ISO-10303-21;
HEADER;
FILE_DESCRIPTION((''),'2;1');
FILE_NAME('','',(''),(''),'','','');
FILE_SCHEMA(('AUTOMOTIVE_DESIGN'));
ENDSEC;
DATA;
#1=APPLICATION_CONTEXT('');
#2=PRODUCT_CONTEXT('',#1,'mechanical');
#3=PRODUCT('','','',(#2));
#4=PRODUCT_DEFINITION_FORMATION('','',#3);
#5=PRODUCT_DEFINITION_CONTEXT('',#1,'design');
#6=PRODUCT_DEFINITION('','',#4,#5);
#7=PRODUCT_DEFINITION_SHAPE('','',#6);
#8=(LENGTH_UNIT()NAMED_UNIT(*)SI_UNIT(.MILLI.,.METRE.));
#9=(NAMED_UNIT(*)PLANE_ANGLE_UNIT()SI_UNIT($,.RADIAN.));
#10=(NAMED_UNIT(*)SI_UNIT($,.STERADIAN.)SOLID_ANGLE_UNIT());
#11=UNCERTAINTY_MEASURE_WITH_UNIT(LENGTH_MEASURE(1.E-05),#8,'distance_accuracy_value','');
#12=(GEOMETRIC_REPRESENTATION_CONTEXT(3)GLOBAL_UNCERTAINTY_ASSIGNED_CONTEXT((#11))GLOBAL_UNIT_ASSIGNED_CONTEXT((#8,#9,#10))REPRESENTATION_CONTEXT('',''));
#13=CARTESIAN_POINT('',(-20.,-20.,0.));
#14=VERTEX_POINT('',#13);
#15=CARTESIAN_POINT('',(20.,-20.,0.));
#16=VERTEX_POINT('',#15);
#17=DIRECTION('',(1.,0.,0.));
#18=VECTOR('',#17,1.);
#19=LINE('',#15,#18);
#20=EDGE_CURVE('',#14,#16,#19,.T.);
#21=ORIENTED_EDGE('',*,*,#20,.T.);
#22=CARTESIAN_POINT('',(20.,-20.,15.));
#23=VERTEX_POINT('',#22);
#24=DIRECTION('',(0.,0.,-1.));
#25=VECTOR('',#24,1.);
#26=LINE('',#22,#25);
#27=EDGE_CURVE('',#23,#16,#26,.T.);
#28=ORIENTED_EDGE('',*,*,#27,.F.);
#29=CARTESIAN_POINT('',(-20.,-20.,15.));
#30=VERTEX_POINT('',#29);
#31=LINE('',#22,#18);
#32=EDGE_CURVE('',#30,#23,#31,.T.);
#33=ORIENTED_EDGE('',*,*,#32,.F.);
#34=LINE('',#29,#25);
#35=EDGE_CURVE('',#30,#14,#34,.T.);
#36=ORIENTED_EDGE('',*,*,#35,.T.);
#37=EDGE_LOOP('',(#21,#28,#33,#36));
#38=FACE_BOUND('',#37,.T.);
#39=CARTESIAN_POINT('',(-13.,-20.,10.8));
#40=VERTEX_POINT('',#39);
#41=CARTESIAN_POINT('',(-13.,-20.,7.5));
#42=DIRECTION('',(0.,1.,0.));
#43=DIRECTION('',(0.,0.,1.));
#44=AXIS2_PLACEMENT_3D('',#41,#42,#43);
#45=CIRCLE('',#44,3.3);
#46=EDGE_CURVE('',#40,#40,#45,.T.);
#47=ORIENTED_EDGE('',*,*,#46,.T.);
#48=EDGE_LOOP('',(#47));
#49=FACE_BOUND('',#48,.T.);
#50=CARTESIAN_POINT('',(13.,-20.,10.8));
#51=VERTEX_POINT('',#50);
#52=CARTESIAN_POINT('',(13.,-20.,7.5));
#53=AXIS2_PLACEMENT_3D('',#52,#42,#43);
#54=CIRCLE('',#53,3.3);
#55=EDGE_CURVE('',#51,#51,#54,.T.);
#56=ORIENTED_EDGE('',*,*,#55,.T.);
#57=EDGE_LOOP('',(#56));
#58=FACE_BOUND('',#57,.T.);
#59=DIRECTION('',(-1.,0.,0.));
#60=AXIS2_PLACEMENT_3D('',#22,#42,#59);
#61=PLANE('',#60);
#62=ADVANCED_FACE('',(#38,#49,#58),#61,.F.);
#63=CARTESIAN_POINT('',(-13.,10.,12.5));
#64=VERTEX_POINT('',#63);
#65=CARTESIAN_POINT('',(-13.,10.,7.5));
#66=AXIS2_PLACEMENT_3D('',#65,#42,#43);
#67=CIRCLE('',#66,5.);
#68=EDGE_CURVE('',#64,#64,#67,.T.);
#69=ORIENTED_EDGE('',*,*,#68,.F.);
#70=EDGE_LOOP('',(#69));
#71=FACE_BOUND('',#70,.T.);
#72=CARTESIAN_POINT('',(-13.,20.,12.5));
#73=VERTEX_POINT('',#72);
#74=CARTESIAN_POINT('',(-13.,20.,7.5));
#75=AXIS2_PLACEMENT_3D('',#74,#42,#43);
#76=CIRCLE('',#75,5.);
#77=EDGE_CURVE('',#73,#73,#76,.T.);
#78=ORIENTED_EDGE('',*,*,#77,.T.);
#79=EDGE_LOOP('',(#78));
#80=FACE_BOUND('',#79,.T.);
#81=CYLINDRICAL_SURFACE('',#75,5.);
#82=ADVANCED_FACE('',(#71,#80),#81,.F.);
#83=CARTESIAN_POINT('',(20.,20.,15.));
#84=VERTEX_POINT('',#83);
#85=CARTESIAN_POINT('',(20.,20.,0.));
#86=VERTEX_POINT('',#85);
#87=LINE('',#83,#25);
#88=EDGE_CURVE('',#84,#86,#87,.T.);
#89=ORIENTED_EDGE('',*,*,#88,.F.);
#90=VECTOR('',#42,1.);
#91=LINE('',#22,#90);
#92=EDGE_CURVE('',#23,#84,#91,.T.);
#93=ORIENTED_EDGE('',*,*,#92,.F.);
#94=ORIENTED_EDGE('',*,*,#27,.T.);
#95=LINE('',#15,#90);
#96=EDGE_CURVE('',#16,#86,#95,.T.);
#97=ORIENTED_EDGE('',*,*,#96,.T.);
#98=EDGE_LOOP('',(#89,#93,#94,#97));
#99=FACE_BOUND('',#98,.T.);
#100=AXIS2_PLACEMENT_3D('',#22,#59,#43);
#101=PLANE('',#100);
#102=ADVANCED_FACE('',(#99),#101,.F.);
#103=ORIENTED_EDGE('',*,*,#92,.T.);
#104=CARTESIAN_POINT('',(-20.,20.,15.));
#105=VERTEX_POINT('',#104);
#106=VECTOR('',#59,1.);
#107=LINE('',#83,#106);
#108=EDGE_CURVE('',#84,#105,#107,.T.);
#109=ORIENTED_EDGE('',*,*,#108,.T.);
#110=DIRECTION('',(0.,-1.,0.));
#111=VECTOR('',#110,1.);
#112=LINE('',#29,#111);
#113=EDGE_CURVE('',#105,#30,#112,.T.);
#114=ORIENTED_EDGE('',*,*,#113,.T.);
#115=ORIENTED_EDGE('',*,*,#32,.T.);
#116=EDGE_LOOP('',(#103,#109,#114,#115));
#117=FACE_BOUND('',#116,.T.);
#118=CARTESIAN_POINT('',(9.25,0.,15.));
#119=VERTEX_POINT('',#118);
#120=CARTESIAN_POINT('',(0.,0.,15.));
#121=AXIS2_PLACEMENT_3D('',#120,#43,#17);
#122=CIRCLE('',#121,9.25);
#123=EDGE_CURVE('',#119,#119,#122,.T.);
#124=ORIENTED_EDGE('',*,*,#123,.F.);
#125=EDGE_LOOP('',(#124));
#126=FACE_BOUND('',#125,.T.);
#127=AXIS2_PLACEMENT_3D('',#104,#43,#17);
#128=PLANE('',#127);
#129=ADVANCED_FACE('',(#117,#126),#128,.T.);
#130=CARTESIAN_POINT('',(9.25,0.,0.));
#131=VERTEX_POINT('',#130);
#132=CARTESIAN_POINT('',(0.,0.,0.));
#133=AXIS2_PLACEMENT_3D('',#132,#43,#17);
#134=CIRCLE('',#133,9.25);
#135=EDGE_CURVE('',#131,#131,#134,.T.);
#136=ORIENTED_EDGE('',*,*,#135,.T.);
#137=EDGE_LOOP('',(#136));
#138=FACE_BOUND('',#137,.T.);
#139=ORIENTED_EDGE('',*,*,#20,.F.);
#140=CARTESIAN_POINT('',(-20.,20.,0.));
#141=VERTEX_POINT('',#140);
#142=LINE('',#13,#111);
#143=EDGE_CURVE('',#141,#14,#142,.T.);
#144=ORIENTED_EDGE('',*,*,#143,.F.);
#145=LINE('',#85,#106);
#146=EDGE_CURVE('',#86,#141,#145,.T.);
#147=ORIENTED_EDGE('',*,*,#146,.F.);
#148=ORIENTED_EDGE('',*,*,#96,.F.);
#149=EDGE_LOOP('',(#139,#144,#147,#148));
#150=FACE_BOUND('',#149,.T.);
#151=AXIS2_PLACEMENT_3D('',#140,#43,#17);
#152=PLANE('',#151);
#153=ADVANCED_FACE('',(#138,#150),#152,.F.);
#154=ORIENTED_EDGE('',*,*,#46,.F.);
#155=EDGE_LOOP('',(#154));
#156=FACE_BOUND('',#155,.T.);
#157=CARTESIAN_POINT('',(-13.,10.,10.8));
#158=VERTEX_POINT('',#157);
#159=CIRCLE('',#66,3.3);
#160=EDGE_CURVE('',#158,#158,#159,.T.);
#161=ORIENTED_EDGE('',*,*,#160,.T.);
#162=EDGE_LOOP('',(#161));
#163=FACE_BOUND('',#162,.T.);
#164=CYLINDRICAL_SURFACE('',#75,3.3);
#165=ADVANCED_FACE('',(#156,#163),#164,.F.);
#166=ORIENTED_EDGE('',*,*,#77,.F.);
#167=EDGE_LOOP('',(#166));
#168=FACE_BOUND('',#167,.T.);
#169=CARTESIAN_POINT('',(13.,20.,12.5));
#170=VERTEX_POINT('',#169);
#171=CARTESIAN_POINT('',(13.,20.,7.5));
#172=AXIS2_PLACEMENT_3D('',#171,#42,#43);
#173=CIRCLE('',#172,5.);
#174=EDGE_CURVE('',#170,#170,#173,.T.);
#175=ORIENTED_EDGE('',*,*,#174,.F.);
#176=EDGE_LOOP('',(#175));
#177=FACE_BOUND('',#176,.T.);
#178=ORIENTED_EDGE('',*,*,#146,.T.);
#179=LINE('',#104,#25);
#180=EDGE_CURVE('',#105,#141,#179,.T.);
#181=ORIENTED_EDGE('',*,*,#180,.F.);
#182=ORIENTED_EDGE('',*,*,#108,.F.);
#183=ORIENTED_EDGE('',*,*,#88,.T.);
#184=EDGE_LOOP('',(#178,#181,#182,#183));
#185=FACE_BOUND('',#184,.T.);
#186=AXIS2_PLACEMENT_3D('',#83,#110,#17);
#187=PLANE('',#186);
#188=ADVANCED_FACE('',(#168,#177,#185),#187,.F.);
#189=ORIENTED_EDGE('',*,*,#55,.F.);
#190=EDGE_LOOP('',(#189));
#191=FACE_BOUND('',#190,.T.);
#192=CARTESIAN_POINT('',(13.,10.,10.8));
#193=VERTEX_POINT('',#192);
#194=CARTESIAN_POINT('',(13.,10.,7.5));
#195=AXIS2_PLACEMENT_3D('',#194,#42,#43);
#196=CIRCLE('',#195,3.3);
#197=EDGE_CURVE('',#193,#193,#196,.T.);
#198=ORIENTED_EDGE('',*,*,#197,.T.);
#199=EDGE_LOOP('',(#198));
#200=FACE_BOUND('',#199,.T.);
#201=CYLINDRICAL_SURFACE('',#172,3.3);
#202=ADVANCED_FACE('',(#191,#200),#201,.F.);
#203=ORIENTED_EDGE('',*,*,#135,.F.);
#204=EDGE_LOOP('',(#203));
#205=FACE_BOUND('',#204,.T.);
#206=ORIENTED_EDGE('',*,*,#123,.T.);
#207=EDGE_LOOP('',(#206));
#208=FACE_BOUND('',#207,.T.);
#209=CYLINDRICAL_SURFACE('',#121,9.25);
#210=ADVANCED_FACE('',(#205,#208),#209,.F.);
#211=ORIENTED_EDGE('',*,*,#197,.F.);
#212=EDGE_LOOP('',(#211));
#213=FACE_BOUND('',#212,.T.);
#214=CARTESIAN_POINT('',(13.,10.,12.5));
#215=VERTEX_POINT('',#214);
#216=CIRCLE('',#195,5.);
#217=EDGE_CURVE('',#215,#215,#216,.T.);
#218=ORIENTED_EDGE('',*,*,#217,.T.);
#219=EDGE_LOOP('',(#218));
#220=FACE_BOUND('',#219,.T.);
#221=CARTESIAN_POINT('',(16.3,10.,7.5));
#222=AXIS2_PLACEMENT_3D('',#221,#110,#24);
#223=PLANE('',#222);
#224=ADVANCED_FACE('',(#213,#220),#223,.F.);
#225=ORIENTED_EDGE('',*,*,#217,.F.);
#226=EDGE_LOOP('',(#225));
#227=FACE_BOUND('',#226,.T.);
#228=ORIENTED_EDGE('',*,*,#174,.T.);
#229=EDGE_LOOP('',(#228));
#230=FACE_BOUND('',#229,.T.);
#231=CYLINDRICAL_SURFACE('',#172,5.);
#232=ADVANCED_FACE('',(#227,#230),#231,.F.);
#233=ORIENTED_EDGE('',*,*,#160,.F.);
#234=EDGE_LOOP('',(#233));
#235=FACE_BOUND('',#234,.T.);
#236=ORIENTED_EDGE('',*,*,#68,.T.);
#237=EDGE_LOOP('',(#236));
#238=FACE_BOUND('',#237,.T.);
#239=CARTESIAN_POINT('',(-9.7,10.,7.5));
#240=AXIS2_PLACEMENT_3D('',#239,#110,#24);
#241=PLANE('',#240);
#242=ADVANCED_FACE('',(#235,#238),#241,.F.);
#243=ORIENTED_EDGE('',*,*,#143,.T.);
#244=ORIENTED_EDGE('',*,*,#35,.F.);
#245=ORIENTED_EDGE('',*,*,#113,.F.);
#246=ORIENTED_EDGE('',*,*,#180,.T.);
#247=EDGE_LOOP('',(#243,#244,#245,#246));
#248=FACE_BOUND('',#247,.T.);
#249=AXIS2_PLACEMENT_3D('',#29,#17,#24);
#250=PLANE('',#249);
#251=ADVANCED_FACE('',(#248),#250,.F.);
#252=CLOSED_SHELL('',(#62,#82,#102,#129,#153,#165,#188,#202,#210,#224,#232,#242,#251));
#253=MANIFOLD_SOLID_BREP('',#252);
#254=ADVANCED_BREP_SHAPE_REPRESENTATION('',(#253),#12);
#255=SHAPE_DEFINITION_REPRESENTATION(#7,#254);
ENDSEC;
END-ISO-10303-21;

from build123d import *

# Parameters (mm, degrees)
SKETCH_4_W                   = 40
SKETCH_4_H                   = 40
EXTRUDE_2_DEPTH              = 15
M20X1_5_2_D                  = 18.5
M20X1_5_2_DEPTH              = 44.5
M20X1_5_2_TIP                = 5.557960726
HOLE_WIZARD_M6_1_D           = 6.6
HOLE_WIZARD_M6_1_CBORE_D     = 10
HOLE_WIZARD_M6_1_CBORE_DEPTH = 10


with BuildPart() as part:
    # 草图4 → 凸台-拉伸2 (new body)
    with BuildSketch(Plane.XY):
        Rectangle(SKETCH_4_W, SKETCH_4_H)
    extrude(amount=EXTRUDE_2_DEPTH)

    # M20x1.5 螺纹孔2
    with Locations(Plane.XY.offset(15)):
        with Locations((0, 0)):
            Hole(M20X1_5_2_D / 2, depth=M20X1_5_2_DEPTH)
            with Locations((0, 0, -(M20X1_5_2_DEPTH + M20X1_5_2_TIP / 2))):  # 118° drill point
                Cone(0, M20X1_5_2_D / 2, M20X1_5_2_TIP, mode=Mode.SUBTRACT)

    # M6 凹头盖螺钉的柱形沉头孔1 (through all)
    with Locations(Plane(origin=(0, 20, 0), x_dir=(-1, 0, 0), z_dir=(0, 1, 0))):
        with Locations((13, 7.5), (-13, 7.5)):
            CounterBoreHole(HOLE_WIZARD_M6_1_D / 2, HOLE_WIZARD_M6_1_CBORE_D / 2, HOLE_WIZARD_M6_1_CBORE_DEPTH)


solid = part.part
